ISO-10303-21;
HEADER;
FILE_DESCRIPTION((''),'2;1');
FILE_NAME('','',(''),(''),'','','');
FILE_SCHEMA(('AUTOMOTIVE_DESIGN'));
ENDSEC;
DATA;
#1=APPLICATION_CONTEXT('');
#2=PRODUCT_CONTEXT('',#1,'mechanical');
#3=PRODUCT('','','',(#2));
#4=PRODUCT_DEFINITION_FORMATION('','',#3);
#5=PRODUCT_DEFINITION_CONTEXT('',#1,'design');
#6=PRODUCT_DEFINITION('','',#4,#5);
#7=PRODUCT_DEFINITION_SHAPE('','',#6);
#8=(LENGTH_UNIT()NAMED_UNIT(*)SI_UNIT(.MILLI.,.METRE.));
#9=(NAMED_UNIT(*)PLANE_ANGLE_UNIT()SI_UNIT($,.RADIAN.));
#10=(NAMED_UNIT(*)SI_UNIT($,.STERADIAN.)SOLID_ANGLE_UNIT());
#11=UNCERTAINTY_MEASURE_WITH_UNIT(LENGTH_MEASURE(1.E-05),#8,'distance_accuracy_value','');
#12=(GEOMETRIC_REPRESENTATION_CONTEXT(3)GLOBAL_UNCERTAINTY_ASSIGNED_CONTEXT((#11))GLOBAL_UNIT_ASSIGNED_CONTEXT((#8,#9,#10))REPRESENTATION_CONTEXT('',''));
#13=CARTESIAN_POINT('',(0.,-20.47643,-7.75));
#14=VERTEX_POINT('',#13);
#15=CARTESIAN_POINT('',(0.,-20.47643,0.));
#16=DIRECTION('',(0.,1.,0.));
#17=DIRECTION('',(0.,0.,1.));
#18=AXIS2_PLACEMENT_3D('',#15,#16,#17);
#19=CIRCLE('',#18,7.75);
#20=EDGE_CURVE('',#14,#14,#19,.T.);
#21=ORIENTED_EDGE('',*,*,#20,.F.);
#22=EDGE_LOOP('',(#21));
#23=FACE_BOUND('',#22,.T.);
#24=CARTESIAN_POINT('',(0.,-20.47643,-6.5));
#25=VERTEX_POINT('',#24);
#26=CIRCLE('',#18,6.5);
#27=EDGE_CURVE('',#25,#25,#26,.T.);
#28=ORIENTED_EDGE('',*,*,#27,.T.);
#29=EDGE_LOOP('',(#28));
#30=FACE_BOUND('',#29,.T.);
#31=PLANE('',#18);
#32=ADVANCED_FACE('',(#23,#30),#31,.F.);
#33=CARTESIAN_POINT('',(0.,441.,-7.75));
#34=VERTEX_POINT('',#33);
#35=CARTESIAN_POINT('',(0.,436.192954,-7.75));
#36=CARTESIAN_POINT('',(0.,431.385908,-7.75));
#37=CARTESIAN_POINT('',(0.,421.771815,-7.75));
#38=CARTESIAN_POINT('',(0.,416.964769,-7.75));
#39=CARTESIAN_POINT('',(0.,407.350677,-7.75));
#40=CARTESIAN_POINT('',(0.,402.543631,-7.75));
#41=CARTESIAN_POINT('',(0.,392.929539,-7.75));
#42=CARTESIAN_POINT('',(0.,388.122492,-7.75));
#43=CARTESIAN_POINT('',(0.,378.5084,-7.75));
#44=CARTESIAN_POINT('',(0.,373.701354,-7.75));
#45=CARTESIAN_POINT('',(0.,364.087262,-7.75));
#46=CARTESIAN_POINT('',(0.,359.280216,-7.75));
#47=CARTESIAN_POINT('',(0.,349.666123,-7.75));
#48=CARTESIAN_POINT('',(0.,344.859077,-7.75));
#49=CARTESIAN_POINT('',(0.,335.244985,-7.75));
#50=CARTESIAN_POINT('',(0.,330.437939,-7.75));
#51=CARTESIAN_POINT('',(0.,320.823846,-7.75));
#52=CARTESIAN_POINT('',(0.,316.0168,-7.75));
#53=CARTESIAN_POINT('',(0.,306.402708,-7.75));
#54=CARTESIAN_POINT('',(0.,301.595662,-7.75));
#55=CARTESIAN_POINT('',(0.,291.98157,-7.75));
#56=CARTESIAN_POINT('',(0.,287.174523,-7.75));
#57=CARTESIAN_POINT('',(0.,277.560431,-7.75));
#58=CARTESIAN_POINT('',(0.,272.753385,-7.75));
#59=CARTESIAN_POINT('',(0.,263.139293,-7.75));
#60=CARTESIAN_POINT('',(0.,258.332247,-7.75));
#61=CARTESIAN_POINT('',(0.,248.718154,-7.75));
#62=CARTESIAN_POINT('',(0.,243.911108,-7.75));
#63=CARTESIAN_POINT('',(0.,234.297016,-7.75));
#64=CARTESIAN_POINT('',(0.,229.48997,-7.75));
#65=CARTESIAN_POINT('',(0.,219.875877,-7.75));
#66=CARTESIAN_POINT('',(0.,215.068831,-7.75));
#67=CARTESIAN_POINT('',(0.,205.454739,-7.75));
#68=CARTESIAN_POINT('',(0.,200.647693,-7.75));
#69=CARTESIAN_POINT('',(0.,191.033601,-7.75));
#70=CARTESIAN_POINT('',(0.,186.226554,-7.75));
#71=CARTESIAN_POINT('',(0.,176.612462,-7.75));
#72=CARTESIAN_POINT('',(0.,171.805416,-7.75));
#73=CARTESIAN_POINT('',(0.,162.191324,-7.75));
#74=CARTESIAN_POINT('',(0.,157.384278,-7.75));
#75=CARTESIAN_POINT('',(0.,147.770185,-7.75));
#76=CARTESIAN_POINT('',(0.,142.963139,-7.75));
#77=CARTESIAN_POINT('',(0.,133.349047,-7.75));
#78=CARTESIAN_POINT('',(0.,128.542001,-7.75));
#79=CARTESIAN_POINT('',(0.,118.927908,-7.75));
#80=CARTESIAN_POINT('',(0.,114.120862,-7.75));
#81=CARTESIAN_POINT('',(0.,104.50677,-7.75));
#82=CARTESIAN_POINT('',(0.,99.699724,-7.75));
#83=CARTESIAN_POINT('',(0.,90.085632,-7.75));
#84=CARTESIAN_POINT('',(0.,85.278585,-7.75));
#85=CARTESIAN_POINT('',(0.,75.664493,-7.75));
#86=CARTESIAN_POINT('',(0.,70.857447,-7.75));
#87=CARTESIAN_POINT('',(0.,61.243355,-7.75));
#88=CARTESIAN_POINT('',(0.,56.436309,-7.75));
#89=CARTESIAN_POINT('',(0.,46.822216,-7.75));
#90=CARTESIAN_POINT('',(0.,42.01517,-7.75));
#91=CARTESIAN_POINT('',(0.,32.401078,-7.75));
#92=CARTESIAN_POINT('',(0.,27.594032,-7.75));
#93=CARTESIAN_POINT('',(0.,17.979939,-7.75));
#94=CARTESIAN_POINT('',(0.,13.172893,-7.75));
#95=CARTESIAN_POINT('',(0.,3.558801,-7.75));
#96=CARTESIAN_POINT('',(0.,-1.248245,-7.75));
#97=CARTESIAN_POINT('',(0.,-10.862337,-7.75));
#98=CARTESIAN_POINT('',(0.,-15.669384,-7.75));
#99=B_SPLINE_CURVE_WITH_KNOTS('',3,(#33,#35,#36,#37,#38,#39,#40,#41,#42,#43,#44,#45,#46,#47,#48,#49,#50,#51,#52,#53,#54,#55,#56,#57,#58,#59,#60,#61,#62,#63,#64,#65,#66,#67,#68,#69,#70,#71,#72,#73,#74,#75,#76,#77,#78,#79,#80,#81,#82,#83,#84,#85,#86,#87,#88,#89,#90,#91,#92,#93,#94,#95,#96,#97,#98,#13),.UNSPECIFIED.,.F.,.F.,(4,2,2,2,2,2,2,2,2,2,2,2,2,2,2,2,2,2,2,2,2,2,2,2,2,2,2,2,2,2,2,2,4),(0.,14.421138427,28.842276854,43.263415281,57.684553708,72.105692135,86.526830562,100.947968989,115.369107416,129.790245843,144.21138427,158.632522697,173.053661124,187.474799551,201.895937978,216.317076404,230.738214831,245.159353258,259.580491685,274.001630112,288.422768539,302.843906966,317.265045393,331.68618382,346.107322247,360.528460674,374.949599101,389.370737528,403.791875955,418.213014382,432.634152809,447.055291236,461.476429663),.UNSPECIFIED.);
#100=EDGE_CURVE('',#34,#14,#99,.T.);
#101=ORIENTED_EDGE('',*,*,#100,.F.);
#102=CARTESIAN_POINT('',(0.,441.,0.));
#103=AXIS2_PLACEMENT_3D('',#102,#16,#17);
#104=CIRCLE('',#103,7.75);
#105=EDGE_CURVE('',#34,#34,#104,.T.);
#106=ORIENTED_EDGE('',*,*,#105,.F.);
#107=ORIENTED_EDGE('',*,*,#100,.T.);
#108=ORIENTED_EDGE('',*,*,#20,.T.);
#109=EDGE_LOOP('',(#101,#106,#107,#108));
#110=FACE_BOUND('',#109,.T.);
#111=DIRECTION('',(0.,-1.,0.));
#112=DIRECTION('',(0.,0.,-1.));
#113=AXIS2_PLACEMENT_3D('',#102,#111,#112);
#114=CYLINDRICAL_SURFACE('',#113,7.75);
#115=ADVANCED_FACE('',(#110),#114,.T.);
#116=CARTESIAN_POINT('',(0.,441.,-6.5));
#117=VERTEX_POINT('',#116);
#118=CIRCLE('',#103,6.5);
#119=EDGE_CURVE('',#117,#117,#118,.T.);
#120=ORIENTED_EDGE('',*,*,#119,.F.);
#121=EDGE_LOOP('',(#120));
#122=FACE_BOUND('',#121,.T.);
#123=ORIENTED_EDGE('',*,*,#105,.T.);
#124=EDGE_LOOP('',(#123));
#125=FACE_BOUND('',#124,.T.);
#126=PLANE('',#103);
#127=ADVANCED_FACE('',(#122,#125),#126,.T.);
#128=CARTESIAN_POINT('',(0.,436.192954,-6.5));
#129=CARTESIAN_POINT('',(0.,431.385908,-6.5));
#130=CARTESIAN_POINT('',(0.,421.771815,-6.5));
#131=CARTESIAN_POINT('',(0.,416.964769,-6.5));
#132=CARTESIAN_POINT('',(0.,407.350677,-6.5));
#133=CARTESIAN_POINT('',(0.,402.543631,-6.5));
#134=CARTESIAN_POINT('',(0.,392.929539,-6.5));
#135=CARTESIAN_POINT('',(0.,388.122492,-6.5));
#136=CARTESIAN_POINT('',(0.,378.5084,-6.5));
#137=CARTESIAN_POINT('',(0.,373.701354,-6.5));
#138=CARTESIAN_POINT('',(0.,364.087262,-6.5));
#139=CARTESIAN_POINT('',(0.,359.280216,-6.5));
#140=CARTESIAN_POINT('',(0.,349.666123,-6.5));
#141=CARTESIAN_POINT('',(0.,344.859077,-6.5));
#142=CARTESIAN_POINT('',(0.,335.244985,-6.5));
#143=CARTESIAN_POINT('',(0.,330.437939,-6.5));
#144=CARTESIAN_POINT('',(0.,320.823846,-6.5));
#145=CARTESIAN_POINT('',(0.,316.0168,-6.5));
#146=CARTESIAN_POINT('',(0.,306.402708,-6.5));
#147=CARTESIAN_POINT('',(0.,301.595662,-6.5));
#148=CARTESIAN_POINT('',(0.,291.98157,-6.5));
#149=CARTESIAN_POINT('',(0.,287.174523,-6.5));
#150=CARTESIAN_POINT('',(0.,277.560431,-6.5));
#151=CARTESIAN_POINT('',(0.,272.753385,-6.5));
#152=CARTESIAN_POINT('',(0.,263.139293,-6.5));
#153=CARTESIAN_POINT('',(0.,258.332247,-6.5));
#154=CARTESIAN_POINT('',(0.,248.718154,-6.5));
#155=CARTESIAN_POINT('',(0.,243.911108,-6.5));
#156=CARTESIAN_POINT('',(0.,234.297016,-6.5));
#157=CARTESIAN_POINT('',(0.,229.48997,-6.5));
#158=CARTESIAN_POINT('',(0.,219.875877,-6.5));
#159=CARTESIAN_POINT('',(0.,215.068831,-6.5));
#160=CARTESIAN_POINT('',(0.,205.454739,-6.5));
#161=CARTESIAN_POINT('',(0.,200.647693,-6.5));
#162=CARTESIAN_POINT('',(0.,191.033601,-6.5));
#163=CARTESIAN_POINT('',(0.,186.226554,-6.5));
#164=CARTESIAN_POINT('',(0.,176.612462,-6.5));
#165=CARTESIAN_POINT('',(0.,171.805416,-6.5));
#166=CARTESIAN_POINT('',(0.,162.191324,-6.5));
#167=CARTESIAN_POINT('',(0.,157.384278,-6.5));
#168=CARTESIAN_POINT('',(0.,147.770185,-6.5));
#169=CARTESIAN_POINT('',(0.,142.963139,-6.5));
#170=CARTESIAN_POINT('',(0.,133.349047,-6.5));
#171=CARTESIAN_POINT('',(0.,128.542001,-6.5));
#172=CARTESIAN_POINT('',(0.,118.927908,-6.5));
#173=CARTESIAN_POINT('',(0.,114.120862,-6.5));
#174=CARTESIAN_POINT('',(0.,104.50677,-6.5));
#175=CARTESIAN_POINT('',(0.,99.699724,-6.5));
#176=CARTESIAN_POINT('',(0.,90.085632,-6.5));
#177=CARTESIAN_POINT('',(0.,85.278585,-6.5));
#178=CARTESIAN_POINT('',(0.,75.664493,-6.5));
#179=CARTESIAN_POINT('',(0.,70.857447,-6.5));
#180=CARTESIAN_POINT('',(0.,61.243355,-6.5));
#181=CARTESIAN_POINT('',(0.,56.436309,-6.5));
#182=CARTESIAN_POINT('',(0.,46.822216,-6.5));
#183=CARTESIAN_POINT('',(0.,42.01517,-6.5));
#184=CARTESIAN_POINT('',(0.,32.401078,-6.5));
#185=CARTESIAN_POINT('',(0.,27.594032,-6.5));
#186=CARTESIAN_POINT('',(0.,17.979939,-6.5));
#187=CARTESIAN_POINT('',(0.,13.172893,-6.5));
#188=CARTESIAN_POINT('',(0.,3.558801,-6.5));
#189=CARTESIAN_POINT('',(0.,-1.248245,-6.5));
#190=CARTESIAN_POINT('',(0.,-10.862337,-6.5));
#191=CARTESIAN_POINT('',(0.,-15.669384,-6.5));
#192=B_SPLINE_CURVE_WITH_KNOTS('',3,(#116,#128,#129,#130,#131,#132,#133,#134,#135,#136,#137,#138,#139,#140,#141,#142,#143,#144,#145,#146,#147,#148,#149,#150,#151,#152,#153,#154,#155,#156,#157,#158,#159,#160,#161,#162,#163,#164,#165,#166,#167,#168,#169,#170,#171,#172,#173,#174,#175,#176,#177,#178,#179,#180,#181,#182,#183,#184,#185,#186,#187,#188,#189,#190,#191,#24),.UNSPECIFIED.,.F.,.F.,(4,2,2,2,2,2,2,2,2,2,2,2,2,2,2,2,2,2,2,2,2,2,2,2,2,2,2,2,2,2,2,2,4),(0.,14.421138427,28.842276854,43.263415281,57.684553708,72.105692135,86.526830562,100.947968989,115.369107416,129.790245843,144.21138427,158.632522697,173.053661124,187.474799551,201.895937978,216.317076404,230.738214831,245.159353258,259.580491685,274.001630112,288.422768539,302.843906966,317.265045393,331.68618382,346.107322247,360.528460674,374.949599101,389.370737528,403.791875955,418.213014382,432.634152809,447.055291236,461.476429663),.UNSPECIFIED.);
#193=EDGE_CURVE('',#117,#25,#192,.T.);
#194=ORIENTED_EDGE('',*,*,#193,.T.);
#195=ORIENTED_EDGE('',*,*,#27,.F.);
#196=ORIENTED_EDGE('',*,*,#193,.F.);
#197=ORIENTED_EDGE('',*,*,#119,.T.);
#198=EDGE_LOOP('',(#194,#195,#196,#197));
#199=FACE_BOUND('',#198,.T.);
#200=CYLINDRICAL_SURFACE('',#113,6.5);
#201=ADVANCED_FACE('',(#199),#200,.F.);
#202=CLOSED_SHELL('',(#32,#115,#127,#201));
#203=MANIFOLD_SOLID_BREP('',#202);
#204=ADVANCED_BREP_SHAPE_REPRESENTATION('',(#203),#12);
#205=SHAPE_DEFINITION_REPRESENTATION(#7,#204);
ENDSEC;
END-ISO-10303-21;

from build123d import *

# Parameters (mm, degrees)
SKETCH1_R           = 7.75
SKETCH1_R_2         = 6.5
BOSS_EXTRUDE1_DEPTH = 441
BOSS_EXTRUDE3_START = -20.476429663
SKETCH1_2_R         = 7.75
SKETCH1_2_R_2       = 6.5
BOSS_EXTRUDE3_DEPTH = 20.476429663


with BuildPart() as part:
    # Sketch1 → Boss-Extrude1 (new body)
    with BuildSketch(Plane(origin=(0, 0, 0), x_dir=(1, 0, 0), z_dir=(0, 1, 0))):
        Circle(SKETCH1_R)
        Circle(SKETCH1_R_2, mode=Mode.SUBTRACT)
    extrude(amount=BOSS_EXTRUDE1_DEPTH)

    # Sketch1<2> → Boss-Extrude3 (add)
    with BuildSketch(Plane(origin=(0, 0, 0), x_dir=(1, 0, 0), z_dir=(0, 1, 0)).offset(BOSS_EXTRUDE3_START)):
        Circle(SKETCH1_2_R)
        Circle(SKETCH1_2_R_2, mode=Mode.SUBTRACT)
    extrude(amount=BOSS_EXTRUDE3_DEPTH)


solid = part.part
